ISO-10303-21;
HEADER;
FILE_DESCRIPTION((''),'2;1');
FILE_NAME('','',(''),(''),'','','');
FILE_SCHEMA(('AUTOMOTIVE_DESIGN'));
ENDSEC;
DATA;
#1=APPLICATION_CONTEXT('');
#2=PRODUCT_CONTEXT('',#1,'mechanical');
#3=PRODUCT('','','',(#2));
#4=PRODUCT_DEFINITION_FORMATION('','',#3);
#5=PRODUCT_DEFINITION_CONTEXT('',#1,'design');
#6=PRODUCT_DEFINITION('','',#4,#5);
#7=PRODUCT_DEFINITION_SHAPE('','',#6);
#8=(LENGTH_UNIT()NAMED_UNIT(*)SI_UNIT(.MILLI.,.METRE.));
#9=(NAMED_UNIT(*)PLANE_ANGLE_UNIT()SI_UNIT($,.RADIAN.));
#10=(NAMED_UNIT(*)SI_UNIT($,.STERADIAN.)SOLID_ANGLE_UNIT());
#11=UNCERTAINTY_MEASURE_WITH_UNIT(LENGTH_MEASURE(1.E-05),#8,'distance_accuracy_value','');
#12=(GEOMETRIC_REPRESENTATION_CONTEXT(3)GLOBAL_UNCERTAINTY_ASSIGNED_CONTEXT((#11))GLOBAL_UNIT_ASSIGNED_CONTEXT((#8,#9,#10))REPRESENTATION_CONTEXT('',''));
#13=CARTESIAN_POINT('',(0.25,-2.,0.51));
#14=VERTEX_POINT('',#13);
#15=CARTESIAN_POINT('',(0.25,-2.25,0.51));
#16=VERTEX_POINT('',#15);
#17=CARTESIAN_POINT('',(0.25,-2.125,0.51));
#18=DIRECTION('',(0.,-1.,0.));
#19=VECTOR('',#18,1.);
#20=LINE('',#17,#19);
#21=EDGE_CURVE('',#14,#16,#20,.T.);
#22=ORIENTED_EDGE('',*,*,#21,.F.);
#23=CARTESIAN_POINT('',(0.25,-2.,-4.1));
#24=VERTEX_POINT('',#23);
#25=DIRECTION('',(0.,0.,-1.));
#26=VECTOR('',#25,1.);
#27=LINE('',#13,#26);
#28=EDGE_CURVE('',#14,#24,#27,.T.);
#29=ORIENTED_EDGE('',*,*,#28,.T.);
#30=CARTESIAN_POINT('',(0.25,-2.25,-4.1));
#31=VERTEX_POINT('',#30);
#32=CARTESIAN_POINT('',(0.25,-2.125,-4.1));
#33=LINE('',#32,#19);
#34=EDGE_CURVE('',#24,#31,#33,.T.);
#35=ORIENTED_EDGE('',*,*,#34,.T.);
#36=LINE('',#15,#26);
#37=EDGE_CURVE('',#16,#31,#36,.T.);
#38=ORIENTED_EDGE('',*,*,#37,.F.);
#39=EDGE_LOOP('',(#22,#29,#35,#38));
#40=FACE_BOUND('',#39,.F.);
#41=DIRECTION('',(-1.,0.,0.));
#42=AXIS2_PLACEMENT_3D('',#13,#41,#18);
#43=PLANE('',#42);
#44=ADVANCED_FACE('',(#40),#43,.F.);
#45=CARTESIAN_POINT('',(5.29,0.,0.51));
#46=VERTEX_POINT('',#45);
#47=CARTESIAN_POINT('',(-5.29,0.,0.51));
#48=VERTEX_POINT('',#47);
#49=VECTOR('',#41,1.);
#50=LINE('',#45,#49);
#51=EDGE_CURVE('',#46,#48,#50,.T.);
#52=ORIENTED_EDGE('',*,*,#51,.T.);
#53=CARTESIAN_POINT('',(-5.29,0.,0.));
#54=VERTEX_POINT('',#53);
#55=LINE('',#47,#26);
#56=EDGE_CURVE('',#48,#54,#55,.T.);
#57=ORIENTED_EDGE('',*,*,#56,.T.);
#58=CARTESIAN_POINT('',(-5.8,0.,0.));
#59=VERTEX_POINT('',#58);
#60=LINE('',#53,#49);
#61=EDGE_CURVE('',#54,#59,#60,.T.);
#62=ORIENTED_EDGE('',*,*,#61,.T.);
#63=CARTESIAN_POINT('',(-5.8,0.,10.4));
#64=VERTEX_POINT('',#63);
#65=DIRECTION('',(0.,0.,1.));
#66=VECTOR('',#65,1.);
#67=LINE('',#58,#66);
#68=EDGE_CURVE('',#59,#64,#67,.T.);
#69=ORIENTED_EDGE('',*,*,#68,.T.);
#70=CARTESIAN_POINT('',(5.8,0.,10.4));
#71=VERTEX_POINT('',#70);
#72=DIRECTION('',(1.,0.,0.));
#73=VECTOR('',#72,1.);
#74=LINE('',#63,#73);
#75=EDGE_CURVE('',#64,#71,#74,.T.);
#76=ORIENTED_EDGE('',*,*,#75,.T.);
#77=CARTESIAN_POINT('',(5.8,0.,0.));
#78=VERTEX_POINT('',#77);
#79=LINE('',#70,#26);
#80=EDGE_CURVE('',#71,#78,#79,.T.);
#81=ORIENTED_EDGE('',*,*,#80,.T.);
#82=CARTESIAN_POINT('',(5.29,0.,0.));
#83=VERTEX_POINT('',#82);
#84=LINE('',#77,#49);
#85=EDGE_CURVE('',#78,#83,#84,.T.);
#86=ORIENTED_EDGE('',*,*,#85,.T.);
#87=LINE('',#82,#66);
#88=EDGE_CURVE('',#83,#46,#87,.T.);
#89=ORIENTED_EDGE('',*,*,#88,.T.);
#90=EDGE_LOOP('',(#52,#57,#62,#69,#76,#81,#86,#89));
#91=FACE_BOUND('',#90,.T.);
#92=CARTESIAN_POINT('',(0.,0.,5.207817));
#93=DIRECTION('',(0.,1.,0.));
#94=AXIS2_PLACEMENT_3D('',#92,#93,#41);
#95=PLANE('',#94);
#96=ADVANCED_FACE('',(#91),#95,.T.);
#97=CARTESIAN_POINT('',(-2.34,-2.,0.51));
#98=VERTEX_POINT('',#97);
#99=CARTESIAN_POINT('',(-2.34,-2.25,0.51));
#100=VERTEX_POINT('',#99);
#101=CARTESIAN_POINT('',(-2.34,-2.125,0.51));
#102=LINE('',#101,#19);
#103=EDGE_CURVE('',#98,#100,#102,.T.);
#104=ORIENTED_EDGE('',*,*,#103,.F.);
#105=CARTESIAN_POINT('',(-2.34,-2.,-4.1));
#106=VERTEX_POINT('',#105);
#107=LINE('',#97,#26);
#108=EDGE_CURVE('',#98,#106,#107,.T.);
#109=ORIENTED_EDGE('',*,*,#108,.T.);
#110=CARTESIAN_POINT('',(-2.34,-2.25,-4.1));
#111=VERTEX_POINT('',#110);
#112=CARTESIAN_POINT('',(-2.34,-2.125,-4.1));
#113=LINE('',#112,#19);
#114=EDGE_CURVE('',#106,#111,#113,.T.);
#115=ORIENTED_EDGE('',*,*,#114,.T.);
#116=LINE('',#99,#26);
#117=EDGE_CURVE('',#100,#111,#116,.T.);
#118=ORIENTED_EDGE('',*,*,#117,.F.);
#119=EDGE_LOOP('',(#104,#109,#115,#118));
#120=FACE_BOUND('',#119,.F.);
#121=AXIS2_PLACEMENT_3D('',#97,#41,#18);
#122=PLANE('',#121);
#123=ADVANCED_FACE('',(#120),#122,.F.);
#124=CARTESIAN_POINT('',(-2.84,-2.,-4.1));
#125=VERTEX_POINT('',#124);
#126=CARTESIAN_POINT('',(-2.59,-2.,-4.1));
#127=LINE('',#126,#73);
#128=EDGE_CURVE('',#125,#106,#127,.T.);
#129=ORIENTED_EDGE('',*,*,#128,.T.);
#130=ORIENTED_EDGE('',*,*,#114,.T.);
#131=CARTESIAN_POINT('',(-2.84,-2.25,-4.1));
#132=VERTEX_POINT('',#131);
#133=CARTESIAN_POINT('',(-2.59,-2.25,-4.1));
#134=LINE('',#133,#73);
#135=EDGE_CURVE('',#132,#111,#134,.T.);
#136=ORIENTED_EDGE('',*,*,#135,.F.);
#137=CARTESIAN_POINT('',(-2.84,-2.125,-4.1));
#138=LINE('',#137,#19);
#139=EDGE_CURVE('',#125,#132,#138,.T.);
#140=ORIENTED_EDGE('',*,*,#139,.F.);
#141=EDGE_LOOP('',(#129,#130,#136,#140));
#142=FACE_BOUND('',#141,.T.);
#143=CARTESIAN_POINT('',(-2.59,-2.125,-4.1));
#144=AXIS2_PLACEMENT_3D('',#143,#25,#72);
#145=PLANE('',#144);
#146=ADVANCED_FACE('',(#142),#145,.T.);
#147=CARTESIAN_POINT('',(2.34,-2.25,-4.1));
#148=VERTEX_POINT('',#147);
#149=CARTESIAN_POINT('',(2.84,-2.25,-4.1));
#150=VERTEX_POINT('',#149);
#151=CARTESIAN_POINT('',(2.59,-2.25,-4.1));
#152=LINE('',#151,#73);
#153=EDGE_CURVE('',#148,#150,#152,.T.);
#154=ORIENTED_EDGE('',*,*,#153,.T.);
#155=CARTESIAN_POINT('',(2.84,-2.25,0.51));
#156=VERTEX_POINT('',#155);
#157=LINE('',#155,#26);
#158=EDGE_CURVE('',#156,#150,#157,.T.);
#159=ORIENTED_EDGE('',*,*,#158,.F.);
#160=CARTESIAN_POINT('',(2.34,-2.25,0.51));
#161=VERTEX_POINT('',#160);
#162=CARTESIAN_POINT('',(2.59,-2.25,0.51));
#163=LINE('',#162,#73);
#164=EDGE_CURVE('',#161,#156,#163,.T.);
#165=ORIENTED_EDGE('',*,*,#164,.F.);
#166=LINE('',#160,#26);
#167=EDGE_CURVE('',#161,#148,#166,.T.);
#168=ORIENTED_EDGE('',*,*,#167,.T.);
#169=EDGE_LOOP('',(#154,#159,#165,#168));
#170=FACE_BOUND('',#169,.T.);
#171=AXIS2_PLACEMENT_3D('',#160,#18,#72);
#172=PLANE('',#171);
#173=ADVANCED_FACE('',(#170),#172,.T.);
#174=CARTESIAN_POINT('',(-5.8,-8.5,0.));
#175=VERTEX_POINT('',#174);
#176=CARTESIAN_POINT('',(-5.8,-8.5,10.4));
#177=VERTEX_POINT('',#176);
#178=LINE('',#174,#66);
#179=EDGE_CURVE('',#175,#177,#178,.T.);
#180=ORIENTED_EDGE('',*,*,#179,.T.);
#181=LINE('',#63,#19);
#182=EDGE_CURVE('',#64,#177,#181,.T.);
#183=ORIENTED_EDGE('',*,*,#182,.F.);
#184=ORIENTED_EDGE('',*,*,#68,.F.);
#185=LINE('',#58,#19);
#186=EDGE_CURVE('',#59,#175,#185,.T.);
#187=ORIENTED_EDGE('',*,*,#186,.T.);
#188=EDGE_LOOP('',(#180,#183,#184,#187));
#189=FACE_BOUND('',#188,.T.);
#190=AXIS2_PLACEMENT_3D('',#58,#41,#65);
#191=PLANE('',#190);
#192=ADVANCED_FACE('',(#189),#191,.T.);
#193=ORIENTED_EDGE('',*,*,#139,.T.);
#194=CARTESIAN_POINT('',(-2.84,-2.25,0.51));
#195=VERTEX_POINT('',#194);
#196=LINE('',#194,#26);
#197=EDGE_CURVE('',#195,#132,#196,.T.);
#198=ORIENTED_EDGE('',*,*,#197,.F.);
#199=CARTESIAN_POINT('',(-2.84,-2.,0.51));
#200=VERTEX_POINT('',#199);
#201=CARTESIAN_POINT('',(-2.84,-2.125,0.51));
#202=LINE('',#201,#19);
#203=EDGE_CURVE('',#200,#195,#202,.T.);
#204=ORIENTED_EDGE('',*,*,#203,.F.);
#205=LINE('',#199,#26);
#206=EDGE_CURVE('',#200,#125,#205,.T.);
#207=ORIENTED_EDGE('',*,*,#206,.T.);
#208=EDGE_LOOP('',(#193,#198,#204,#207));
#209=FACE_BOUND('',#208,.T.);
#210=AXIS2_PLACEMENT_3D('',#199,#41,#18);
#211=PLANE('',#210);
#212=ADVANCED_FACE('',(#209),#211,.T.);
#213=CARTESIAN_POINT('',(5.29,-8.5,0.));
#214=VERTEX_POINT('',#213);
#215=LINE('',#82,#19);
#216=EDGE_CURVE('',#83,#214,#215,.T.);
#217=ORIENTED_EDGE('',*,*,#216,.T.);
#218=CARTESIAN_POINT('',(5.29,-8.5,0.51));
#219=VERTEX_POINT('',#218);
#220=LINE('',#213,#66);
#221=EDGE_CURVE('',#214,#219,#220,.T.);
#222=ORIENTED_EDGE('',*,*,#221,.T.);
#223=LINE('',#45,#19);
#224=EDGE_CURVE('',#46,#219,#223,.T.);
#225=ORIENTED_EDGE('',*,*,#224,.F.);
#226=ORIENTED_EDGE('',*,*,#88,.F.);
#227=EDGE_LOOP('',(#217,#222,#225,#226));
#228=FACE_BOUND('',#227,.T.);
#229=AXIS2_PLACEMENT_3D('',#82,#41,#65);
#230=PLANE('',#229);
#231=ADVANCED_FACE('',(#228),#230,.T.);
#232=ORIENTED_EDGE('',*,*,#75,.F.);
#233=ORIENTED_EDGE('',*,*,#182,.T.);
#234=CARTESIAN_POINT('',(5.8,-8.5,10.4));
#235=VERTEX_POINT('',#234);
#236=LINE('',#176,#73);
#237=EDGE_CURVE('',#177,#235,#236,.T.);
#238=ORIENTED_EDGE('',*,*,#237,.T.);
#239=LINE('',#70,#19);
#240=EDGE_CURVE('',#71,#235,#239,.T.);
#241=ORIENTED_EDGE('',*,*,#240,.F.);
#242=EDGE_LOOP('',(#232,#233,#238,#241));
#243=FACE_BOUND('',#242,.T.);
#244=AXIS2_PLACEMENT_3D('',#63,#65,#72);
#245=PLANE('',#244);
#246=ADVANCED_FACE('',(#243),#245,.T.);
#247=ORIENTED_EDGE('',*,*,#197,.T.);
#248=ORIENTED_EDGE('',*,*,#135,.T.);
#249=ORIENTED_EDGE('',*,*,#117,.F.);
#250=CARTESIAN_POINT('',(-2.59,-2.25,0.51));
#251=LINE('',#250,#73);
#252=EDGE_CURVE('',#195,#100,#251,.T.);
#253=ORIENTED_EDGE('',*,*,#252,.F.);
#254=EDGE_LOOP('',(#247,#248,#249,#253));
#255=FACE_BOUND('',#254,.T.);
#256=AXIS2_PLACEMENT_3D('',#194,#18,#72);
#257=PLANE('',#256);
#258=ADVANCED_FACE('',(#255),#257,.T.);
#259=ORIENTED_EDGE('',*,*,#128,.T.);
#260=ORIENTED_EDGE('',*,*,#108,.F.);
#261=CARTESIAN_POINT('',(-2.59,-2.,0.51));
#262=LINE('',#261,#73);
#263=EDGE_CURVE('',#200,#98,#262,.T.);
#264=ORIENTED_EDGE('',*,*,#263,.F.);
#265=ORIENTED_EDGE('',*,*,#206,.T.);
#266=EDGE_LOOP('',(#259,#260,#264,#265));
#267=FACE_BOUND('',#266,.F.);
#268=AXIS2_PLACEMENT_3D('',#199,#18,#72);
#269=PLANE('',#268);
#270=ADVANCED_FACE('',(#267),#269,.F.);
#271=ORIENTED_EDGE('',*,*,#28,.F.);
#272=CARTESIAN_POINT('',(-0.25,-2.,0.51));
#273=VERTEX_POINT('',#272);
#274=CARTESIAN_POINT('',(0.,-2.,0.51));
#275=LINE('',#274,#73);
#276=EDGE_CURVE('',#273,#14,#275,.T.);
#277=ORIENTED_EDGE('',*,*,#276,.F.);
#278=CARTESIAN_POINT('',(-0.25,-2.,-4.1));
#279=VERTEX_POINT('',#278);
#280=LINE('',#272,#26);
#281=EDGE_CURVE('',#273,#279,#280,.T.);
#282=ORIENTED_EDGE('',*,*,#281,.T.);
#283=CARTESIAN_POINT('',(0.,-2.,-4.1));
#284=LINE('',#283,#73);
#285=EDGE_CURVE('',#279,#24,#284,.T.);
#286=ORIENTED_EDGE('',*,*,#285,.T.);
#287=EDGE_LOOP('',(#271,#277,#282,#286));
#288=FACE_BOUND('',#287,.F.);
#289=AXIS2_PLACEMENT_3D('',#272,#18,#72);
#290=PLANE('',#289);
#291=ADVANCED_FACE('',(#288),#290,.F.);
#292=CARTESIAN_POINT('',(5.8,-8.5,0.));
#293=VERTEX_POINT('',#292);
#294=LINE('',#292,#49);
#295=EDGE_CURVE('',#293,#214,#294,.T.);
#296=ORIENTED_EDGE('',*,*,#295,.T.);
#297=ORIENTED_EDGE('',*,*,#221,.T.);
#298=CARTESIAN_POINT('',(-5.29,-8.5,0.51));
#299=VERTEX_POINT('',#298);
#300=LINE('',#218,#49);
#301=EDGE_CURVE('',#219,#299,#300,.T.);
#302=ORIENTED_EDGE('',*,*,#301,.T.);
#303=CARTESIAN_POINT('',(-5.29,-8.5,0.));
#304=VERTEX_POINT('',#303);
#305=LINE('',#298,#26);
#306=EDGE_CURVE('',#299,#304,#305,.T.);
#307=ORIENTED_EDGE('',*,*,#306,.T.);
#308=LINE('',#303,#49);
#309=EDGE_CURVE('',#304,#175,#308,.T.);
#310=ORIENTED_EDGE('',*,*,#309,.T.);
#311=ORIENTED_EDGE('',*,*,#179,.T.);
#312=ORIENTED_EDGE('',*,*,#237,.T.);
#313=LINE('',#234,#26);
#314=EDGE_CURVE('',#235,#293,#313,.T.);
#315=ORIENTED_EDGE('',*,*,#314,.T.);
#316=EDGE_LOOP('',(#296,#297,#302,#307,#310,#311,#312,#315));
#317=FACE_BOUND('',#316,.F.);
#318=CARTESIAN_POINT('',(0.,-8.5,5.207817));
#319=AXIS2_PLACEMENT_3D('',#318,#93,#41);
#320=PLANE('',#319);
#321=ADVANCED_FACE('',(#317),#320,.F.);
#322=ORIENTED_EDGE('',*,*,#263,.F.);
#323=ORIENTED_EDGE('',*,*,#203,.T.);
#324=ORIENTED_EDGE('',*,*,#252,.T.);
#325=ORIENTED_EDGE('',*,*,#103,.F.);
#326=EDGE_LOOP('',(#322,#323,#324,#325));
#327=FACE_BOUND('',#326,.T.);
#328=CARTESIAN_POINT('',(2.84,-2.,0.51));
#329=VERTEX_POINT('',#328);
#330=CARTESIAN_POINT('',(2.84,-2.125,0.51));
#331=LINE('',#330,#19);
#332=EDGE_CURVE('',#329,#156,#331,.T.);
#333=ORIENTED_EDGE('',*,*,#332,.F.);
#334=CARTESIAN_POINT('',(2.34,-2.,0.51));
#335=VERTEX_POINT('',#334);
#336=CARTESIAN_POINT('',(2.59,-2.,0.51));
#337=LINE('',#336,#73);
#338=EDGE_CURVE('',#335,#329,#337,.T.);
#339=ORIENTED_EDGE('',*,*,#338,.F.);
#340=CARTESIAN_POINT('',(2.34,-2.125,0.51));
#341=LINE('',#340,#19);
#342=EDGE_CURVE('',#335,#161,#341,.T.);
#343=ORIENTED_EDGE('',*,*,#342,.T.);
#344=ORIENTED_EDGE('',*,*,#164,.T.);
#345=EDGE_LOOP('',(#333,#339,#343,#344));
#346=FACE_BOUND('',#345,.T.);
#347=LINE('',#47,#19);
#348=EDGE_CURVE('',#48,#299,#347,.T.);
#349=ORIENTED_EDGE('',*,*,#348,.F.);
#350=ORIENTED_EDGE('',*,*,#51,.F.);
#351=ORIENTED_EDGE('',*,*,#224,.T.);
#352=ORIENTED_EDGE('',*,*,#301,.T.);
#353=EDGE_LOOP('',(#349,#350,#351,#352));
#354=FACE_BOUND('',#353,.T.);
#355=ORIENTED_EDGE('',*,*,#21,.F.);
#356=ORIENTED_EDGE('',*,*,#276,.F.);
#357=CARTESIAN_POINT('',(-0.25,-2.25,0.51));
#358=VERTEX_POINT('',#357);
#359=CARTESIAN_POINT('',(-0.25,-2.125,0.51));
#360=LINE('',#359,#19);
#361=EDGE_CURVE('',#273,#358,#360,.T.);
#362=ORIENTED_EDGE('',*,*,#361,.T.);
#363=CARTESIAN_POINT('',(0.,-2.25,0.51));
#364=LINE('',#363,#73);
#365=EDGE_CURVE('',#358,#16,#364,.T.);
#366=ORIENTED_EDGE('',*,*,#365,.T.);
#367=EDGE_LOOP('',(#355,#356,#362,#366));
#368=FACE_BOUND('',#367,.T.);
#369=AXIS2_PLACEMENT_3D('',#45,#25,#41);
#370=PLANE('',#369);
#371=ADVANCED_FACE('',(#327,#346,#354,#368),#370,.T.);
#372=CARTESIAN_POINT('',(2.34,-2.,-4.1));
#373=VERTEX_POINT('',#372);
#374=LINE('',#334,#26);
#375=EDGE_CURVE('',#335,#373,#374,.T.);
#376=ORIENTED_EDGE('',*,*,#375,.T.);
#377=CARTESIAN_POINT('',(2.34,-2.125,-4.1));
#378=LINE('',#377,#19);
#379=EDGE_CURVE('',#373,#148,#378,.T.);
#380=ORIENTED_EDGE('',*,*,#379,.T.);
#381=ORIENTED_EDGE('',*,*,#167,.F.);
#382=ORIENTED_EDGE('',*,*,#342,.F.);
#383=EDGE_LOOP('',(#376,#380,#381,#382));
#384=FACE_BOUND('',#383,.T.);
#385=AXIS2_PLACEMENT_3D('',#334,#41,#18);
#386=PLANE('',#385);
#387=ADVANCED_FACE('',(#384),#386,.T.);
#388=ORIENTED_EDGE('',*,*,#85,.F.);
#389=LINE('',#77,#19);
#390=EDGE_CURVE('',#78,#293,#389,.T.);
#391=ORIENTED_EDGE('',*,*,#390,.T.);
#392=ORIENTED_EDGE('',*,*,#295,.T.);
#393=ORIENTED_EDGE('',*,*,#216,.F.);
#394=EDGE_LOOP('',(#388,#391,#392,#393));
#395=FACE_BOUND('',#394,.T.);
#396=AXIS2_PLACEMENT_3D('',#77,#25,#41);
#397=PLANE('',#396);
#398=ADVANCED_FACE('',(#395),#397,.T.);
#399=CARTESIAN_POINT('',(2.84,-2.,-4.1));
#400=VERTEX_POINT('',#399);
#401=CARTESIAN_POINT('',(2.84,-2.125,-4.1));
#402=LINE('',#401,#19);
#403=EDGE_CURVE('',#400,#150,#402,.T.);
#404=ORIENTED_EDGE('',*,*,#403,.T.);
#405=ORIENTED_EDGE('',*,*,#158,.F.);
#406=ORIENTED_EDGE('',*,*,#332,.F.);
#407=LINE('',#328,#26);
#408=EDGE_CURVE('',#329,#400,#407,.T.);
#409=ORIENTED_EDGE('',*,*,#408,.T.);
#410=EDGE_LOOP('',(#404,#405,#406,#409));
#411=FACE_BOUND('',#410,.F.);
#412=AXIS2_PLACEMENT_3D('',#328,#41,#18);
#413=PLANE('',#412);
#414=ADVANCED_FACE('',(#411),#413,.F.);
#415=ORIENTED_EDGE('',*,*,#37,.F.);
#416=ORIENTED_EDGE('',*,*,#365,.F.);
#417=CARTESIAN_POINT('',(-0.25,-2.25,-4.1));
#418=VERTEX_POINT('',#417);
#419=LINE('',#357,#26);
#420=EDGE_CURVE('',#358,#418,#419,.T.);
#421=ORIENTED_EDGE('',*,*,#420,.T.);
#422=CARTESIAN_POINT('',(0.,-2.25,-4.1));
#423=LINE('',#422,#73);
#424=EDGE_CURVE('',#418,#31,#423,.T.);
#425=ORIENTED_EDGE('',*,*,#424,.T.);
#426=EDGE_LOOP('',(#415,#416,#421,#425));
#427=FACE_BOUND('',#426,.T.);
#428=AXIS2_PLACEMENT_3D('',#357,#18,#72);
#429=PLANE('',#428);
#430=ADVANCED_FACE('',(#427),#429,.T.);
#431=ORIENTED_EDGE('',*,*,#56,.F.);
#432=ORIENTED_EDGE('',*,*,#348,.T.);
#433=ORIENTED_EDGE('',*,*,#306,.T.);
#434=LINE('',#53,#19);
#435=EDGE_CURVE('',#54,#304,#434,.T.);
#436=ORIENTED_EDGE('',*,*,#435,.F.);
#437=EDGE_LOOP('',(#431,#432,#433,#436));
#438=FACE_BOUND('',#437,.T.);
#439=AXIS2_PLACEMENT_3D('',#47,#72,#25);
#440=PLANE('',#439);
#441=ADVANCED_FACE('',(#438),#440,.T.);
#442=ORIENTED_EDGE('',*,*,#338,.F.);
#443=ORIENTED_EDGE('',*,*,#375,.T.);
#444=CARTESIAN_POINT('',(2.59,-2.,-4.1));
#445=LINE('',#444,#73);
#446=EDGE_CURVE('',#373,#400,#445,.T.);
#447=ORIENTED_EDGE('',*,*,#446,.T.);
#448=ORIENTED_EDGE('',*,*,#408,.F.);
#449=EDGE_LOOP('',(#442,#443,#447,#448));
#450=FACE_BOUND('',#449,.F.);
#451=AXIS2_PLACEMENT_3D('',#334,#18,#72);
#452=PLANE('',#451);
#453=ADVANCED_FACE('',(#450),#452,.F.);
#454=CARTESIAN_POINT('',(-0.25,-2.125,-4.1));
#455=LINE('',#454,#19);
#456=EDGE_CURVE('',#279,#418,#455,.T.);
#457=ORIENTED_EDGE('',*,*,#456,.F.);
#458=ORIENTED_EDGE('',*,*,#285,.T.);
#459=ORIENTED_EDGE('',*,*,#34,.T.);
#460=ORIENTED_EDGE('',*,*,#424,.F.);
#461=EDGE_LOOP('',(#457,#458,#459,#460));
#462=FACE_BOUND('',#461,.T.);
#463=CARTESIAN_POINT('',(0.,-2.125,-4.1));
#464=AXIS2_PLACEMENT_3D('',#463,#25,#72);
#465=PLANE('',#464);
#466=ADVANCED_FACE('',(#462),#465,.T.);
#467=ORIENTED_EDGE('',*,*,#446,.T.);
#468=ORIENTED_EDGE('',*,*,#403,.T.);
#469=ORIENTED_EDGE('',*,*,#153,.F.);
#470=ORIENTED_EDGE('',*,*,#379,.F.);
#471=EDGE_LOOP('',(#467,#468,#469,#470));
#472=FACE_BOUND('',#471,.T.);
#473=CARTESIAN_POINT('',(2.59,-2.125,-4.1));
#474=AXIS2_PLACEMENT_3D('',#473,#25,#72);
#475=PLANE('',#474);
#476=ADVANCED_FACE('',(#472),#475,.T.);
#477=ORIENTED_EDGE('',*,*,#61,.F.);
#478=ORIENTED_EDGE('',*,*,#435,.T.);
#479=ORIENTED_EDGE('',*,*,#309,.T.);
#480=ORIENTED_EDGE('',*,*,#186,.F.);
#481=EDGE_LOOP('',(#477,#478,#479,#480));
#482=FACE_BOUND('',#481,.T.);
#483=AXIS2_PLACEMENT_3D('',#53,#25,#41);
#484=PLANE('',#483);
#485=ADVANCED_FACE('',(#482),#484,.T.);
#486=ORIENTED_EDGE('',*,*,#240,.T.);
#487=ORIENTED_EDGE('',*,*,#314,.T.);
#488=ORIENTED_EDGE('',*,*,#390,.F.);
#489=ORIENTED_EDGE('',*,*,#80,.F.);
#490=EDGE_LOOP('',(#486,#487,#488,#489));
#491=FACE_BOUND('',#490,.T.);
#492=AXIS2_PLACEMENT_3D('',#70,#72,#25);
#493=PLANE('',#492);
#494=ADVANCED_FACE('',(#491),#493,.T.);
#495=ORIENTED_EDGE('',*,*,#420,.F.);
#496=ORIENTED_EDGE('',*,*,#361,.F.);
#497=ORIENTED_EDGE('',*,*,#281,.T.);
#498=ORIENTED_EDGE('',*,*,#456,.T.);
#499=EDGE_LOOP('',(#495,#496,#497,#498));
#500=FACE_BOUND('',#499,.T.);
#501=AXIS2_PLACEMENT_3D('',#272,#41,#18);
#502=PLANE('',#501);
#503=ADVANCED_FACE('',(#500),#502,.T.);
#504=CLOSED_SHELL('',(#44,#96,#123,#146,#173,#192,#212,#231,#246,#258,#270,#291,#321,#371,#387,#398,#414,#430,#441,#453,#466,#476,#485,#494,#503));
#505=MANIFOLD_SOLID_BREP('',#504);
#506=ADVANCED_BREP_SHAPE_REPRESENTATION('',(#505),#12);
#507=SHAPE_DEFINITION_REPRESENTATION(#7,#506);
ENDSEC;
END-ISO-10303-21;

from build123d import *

# Parameters (mm, degrees)
PAD_DEPTH    = 8.5
SKETCH001_W  = 0.5
SKETCH001_H  = 0.25
PAD001_DEPTH = 4.61


with BuildPart() as part:
    # Sketch → Pad (new body)
    with BuildSketch(Plane.XZ):
        Polygon((-5.29, 0), (-5.8, 0), (-5.8, 10.4), (5.8, 10.4), (5.8, 0), (5.29, 0), (5.29, 0.51), (-5.29, 0.51), align=None)
    extrude(amount=PAD_DEPTH)

    # Sketch001 → Pad001 (new body)
    with BuildSketch(Plane(origin=(0, 0, 0.51), x_dir=(1, 0, 0), z_dir=(0, 0, -1))):
        with Locations((-2.59, 2.125)):
            Rectangle(SKETCH001_W, SKETCH001_H)
        with Locations((0, 2.125)):
            Rectangle(SKETCH001_W, SKETCH001_H)
        with Locations((2.59, 2.125)):
            Rectangle(SKETCH001_W, SKETCH001_H)
    extrude(amount=PAD001_DEPTH)


solid = part.part
